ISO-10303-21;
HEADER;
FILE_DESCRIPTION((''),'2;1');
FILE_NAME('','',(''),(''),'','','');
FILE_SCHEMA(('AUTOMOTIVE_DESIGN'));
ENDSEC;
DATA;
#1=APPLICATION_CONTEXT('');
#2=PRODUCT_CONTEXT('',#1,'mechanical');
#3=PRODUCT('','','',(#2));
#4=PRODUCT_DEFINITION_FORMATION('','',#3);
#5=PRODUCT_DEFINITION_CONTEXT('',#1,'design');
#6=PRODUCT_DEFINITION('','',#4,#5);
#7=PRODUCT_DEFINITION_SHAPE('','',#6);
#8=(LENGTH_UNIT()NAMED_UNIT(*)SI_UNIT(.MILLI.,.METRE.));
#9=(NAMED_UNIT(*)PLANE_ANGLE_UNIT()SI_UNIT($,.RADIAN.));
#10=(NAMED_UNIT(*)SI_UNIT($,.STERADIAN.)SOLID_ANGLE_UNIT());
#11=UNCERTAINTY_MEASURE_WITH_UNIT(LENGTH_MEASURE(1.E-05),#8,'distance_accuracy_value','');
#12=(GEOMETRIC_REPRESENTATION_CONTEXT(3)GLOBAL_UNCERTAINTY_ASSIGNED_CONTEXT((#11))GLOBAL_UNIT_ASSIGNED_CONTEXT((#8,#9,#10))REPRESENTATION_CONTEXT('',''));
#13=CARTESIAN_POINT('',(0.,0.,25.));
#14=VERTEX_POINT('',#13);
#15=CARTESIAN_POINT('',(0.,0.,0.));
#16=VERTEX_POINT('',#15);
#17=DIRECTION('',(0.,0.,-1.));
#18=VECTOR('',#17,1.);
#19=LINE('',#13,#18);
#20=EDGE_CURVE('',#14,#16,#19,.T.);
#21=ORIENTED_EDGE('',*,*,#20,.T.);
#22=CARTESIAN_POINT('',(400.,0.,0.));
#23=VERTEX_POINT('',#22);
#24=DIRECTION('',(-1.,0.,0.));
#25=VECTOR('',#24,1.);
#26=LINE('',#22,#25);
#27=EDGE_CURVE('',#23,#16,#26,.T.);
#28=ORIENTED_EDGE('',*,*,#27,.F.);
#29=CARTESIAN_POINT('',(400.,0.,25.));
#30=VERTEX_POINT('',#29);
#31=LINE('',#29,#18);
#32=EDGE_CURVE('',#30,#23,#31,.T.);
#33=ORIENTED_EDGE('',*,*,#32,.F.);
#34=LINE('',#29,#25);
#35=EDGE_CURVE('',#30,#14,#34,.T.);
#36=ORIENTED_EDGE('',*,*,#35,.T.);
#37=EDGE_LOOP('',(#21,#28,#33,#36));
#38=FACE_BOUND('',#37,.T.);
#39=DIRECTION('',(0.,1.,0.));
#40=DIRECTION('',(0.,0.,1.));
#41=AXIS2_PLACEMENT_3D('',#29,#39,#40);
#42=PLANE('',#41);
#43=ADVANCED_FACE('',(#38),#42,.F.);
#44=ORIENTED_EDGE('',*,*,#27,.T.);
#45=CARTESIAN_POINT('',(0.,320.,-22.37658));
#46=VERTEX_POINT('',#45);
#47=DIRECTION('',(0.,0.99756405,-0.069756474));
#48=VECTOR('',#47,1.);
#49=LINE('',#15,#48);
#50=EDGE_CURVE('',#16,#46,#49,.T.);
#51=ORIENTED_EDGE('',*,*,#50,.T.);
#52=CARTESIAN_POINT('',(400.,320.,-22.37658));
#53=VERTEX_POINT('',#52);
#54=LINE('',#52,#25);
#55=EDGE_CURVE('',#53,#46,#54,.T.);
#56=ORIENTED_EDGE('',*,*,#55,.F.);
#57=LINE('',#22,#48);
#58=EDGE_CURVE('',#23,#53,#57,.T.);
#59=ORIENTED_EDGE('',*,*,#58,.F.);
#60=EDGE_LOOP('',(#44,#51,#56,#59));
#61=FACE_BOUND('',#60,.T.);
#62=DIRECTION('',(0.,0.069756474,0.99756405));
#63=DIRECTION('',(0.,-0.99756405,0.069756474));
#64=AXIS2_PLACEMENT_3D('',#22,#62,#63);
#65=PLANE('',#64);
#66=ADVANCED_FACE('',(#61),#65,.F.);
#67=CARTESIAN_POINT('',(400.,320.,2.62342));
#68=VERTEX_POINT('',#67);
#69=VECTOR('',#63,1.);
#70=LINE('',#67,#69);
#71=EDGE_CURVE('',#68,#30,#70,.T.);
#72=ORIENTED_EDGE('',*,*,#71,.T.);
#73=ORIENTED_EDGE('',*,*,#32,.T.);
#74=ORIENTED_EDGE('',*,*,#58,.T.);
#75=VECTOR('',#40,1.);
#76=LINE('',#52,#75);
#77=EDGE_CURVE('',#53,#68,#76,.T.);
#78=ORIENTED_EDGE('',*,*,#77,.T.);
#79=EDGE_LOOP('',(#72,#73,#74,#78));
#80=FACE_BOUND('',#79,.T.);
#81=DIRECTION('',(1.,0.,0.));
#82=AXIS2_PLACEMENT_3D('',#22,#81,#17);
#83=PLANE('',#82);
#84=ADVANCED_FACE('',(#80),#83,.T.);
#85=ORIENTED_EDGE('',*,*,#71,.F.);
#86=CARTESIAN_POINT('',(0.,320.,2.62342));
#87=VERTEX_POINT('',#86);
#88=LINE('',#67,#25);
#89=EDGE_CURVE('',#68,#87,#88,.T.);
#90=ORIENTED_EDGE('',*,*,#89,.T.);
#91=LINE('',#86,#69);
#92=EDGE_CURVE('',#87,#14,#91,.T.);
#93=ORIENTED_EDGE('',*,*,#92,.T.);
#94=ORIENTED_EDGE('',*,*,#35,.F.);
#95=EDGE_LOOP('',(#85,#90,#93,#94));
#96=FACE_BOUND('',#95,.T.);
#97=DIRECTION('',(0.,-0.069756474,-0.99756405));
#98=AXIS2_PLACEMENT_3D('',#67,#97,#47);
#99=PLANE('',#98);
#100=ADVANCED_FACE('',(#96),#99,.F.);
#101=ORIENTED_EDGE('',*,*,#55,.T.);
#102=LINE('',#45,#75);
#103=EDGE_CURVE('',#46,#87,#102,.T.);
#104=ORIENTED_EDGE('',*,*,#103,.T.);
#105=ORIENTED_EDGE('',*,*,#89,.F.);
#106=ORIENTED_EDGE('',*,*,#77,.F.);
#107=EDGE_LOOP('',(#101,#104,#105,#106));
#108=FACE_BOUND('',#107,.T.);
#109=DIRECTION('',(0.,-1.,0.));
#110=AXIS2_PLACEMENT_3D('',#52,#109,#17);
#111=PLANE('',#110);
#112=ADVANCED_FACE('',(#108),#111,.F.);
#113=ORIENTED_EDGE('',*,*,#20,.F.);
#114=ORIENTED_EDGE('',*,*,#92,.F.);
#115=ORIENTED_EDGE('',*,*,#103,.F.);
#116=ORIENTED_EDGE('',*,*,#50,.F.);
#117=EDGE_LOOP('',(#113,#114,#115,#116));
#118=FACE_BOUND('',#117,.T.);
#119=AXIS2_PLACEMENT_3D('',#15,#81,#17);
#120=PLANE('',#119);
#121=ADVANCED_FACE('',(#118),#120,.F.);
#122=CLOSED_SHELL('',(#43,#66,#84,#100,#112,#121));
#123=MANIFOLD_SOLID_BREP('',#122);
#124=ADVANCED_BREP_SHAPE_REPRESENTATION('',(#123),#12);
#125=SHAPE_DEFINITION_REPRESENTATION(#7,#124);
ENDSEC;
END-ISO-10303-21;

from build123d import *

# Parameters (mm, degrees)
BOSS_EXTRUDE1_DEPTH = 400


with BuildPart() as part:
    # Sketch1 → Boss-Extrude1 (new body)
    with BuildSketch(Plane(origin=(0, 0, 0), x_dir=(0, 0, -1), z_dir=(1, 0, 0))):
        Polygon((-25, 0), (0, 0), (22.376579822, 320), (-2.623420178, 320), align=None)
    extrude(amount=BOSS_EXTRUDE1_DEPTH)


solid = part.part
